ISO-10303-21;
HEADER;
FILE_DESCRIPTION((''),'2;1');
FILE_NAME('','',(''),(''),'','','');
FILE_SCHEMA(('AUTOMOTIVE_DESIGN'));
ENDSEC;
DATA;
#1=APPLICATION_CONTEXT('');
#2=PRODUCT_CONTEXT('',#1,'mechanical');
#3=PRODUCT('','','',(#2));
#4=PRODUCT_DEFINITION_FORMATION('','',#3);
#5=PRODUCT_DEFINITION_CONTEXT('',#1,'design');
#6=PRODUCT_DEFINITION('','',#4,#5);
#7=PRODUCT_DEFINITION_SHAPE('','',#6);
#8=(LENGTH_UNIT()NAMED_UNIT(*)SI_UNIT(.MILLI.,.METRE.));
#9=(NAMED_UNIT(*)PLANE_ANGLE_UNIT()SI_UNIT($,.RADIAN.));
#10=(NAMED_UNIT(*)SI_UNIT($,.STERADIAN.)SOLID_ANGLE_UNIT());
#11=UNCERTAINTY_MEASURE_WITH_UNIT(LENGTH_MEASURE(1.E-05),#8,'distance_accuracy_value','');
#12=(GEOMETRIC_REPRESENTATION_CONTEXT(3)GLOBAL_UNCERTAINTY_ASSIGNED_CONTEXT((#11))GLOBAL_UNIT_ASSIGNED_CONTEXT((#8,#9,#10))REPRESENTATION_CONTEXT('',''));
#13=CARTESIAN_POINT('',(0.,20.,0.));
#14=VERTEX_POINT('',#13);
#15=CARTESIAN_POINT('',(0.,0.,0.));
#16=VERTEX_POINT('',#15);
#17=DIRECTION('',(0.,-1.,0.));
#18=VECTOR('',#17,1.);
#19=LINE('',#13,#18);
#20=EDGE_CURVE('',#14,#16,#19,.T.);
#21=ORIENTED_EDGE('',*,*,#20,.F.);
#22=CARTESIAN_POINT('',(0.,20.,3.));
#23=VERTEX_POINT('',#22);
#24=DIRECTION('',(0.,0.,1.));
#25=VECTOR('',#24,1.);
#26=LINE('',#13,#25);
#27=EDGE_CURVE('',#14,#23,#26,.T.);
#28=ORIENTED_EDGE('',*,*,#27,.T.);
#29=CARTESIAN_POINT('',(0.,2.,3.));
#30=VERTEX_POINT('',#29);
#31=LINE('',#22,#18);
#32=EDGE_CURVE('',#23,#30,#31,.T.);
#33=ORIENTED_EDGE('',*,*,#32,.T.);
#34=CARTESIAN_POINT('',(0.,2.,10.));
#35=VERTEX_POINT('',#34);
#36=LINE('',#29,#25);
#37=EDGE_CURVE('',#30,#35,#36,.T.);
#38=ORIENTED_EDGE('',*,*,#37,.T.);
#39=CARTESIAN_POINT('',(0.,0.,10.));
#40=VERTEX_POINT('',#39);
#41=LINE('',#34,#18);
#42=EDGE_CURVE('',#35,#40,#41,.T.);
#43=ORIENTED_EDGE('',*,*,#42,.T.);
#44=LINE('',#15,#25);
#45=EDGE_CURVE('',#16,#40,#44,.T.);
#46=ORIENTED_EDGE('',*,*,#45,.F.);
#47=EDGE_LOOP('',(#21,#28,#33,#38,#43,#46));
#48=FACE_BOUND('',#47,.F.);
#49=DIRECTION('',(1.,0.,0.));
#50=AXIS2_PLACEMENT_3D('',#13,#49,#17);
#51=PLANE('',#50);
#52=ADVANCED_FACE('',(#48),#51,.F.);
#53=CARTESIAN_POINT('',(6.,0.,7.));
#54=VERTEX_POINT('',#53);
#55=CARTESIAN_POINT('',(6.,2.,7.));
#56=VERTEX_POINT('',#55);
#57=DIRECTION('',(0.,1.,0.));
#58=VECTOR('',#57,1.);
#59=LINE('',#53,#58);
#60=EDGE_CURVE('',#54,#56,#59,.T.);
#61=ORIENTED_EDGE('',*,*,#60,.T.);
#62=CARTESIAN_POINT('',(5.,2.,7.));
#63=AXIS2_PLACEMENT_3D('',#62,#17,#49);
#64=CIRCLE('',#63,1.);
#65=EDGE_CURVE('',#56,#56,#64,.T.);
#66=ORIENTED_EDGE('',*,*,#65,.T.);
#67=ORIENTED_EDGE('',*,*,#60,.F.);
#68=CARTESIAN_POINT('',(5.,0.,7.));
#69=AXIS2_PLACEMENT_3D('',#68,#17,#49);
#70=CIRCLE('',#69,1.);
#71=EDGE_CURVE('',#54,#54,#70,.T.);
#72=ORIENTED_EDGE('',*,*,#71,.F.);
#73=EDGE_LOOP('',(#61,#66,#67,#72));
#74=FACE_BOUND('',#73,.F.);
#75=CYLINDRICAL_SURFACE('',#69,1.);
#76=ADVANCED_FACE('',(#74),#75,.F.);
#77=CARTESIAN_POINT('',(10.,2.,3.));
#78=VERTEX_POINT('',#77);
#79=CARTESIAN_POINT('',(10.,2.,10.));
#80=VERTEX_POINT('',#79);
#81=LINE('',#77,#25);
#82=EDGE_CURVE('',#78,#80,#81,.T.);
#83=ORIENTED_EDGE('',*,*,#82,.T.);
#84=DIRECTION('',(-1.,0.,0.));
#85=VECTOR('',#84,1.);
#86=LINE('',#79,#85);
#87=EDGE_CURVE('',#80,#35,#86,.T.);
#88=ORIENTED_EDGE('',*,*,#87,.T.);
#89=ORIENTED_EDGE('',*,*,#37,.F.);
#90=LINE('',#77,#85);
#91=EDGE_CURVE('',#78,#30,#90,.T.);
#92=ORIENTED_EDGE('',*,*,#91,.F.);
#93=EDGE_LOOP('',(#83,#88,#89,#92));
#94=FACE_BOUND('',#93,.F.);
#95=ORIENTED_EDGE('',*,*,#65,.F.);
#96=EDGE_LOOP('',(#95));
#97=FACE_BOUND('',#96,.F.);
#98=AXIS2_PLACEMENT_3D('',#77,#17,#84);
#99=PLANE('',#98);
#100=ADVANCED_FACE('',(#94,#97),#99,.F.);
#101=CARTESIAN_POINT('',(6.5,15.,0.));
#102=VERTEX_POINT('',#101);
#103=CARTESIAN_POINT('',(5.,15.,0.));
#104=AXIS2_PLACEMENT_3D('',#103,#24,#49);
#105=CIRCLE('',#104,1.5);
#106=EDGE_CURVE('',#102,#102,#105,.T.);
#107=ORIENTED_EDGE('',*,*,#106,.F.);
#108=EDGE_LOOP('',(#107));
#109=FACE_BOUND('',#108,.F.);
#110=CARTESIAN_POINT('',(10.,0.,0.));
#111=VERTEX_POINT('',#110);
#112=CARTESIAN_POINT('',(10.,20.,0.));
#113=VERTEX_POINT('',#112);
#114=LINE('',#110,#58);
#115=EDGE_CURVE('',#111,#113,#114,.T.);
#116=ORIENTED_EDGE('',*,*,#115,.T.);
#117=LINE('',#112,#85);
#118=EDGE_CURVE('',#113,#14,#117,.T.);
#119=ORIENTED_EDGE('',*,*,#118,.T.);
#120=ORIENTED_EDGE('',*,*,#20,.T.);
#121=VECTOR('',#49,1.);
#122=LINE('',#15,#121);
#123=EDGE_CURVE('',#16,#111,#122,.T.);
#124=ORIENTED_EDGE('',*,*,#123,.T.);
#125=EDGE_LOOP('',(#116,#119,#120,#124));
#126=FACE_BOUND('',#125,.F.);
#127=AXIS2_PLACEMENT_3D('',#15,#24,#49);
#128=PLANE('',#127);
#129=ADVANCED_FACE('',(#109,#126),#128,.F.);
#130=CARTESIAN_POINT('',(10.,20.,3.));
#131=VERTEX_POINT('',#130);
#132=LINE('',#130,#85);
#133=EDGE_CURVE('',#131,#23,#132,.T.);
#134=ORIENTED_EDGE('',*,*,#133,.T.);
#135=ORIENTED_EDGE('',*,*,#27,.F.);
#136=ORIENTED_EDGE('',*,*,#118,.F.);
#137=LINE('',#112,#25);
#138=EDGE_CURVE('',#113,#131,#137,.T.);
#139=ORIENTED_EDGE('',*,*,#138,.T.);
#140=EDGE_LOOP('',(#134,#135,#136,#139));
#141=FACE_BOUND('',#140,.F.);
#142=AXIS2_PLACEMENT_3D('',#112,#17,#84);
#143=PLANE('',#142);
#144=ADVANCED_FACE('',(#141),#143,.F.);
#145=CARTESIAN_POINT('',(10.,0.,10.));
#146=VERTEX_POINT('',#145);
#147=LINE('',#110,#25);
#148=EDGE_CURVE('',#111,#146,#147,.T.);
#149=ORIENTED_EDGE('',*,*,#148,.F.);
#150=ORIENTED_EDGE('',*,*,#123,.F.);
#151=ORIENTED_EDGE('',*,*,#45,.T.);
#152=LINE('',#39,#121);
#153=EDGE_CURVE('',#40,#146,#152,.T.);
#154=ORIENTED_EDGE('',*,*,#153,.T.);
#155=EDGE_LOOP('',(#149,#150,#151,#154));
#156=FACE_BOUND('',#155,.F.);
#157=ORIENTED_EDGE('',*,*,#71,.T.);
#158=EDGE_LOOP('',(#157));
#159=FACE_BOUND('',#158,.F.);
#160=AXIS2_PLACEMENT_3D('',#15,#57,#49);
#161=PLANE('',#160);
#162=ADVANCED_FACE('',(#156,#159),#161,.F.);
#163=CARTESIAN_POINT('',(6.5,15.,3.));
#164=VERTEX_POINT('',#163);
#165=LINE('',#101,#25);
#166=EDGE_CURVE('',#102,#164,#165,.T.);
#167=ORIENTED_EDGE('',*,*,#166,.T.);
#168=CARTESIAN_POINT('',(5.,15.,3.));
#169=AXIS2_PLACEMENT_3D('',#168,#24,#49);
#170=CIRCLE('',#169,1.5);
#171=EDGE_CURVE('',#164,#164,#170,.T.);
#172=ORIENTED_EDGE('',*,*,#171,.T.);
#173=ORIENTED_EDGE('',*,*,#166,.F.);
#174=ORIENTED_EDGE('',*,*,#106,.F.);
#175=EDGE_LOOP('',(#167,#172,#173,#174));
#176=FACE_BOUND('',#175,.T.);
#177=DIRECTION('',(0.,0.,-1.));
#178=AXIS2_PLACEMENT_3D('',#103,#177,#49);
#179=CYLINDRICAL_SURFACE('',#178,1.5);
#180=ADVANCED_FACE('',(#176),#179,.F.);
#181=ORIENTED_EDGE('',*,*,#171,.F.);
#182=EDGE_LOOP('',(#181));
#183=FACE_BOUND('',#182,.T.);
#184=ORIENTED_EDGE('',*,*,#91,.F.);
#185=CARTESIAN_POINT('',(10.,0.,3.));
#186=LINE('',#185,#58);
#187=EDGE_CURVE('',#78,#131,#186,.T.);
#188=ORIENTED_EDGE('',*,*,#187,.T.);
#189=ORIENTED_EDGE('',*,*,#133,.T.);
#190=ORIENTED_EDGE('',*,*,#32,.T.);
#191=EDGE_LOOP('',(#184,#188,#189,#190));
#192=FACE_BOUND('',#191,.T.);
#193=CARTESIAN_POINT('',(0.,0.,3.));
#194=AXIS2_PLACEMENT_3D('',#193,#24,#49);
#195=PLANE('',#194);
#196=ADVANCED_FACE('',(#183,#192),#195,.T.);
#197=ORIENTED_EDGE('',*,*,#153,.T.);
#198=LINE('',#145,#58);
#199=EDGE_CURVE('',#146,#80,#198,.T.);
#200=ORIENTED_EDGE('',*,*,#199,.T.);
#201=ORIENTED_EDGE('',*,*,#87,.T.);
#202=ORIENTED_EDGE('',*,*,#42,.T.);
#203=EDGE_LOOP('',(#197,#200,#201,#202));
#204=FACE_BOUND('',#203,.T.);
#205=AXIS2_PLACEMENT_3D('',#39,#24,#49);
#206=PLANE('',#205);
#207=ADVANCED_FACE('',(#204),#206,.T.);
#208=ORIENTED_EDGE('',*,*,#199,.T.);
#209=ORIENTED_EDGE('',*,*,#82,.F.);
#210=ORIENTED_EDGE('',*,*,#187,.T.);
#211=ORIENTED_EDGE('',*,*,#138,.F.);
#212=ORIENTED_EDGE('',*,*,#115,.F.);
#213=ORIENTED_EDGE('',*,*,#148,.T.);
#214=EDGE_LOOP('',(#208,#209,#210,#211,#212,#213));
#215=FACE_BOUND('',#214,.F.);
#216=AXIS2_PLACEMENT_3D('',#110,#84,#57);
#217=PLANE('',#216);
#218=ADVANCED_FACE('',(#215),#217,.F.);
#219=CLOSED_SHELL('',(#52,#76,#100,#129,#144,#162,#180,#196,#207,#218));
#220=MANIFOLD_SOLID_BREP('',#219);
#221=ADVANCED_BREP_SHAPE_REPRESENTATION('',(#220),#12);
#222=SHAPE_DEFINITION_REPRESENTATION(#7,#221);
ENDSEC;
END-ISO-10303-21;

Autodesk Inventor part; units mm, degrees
ref_plane "YZ Plane" through (0, 0, 0) normal (1, 0, 0) x (0, 1, 0)
ref_plane "XZ Plane" through (0, 0, 0) normal (0, 1, 0) x (-1, 0, 0)
ref_plane "XY Plane" through (0, 0, 0) normal (0, 0, 1) x (1, 0, 0)
sketch "Sketch1" plane through (0, 0, 0) normal (0, 0, 1) x (1, 0, 0)
  line L0 (0, 0) -> (10, 0)
  line L1 (10, 0) -> (10, 20)
  line L2 (10, 20) -> (0, 20)
  line L3 (0, 20) -> (0, 0)
  circle A0 centre (5, 15) radius 1.5
  dimension "d0" = 10
  dimension "d1" = 20
  dimension "d8" = 3
  dimension "d19" = 5
  dimension "d20" = 15
extrude "Extrusion1" add sketch "Sketch1" along normal blind 3
sketch "Sketch4" plane through (0, 0, 3) normal (0, 0, 1) x (1, 0, 0)
  line L0 (10, 0) -> (10, 20) projected
  line L1 (0, 0) -> (10, 0)
  line L2 (10, 0) -> (10, 2)
  line L3 (10, 2) -> (0, 2)
  line L4 (0, 2) -> (0, 0)
  dimension "d9" = 2
extrude "Extrusion2" add sketch "Sketch4" along normal blind 7
sketch "Sketch5" plane through (0, 0, 0) normal (0, -1, 0) x (1, 0, 0)
  circle A0 centre (5, 7) radius 1
  line L0 (10, 0) -> (10, 10) projected
  line L1 (0, 0) -> (0, 10) projected
  line L2 (0, 0) -> (10, 0) projected
  line L3 (0, 10) -> (10, 10) projected
  dimension "d12" = 10
  dimension "d13" = 10
  dimension "d14" = 7
  dimension "d15" = 5
  dimension "d16" = 2
extrude "Extrusion3" cut sketch "Sketch5" against normal through all contours A0
equation "\"d19\" = 0.5 * d0"
equation "\"d20\" = 0.75 * d1"
equation "\"d15\" = 0.5 * d12"
properties part number "supportPoulie" material "Stainless Steel"
